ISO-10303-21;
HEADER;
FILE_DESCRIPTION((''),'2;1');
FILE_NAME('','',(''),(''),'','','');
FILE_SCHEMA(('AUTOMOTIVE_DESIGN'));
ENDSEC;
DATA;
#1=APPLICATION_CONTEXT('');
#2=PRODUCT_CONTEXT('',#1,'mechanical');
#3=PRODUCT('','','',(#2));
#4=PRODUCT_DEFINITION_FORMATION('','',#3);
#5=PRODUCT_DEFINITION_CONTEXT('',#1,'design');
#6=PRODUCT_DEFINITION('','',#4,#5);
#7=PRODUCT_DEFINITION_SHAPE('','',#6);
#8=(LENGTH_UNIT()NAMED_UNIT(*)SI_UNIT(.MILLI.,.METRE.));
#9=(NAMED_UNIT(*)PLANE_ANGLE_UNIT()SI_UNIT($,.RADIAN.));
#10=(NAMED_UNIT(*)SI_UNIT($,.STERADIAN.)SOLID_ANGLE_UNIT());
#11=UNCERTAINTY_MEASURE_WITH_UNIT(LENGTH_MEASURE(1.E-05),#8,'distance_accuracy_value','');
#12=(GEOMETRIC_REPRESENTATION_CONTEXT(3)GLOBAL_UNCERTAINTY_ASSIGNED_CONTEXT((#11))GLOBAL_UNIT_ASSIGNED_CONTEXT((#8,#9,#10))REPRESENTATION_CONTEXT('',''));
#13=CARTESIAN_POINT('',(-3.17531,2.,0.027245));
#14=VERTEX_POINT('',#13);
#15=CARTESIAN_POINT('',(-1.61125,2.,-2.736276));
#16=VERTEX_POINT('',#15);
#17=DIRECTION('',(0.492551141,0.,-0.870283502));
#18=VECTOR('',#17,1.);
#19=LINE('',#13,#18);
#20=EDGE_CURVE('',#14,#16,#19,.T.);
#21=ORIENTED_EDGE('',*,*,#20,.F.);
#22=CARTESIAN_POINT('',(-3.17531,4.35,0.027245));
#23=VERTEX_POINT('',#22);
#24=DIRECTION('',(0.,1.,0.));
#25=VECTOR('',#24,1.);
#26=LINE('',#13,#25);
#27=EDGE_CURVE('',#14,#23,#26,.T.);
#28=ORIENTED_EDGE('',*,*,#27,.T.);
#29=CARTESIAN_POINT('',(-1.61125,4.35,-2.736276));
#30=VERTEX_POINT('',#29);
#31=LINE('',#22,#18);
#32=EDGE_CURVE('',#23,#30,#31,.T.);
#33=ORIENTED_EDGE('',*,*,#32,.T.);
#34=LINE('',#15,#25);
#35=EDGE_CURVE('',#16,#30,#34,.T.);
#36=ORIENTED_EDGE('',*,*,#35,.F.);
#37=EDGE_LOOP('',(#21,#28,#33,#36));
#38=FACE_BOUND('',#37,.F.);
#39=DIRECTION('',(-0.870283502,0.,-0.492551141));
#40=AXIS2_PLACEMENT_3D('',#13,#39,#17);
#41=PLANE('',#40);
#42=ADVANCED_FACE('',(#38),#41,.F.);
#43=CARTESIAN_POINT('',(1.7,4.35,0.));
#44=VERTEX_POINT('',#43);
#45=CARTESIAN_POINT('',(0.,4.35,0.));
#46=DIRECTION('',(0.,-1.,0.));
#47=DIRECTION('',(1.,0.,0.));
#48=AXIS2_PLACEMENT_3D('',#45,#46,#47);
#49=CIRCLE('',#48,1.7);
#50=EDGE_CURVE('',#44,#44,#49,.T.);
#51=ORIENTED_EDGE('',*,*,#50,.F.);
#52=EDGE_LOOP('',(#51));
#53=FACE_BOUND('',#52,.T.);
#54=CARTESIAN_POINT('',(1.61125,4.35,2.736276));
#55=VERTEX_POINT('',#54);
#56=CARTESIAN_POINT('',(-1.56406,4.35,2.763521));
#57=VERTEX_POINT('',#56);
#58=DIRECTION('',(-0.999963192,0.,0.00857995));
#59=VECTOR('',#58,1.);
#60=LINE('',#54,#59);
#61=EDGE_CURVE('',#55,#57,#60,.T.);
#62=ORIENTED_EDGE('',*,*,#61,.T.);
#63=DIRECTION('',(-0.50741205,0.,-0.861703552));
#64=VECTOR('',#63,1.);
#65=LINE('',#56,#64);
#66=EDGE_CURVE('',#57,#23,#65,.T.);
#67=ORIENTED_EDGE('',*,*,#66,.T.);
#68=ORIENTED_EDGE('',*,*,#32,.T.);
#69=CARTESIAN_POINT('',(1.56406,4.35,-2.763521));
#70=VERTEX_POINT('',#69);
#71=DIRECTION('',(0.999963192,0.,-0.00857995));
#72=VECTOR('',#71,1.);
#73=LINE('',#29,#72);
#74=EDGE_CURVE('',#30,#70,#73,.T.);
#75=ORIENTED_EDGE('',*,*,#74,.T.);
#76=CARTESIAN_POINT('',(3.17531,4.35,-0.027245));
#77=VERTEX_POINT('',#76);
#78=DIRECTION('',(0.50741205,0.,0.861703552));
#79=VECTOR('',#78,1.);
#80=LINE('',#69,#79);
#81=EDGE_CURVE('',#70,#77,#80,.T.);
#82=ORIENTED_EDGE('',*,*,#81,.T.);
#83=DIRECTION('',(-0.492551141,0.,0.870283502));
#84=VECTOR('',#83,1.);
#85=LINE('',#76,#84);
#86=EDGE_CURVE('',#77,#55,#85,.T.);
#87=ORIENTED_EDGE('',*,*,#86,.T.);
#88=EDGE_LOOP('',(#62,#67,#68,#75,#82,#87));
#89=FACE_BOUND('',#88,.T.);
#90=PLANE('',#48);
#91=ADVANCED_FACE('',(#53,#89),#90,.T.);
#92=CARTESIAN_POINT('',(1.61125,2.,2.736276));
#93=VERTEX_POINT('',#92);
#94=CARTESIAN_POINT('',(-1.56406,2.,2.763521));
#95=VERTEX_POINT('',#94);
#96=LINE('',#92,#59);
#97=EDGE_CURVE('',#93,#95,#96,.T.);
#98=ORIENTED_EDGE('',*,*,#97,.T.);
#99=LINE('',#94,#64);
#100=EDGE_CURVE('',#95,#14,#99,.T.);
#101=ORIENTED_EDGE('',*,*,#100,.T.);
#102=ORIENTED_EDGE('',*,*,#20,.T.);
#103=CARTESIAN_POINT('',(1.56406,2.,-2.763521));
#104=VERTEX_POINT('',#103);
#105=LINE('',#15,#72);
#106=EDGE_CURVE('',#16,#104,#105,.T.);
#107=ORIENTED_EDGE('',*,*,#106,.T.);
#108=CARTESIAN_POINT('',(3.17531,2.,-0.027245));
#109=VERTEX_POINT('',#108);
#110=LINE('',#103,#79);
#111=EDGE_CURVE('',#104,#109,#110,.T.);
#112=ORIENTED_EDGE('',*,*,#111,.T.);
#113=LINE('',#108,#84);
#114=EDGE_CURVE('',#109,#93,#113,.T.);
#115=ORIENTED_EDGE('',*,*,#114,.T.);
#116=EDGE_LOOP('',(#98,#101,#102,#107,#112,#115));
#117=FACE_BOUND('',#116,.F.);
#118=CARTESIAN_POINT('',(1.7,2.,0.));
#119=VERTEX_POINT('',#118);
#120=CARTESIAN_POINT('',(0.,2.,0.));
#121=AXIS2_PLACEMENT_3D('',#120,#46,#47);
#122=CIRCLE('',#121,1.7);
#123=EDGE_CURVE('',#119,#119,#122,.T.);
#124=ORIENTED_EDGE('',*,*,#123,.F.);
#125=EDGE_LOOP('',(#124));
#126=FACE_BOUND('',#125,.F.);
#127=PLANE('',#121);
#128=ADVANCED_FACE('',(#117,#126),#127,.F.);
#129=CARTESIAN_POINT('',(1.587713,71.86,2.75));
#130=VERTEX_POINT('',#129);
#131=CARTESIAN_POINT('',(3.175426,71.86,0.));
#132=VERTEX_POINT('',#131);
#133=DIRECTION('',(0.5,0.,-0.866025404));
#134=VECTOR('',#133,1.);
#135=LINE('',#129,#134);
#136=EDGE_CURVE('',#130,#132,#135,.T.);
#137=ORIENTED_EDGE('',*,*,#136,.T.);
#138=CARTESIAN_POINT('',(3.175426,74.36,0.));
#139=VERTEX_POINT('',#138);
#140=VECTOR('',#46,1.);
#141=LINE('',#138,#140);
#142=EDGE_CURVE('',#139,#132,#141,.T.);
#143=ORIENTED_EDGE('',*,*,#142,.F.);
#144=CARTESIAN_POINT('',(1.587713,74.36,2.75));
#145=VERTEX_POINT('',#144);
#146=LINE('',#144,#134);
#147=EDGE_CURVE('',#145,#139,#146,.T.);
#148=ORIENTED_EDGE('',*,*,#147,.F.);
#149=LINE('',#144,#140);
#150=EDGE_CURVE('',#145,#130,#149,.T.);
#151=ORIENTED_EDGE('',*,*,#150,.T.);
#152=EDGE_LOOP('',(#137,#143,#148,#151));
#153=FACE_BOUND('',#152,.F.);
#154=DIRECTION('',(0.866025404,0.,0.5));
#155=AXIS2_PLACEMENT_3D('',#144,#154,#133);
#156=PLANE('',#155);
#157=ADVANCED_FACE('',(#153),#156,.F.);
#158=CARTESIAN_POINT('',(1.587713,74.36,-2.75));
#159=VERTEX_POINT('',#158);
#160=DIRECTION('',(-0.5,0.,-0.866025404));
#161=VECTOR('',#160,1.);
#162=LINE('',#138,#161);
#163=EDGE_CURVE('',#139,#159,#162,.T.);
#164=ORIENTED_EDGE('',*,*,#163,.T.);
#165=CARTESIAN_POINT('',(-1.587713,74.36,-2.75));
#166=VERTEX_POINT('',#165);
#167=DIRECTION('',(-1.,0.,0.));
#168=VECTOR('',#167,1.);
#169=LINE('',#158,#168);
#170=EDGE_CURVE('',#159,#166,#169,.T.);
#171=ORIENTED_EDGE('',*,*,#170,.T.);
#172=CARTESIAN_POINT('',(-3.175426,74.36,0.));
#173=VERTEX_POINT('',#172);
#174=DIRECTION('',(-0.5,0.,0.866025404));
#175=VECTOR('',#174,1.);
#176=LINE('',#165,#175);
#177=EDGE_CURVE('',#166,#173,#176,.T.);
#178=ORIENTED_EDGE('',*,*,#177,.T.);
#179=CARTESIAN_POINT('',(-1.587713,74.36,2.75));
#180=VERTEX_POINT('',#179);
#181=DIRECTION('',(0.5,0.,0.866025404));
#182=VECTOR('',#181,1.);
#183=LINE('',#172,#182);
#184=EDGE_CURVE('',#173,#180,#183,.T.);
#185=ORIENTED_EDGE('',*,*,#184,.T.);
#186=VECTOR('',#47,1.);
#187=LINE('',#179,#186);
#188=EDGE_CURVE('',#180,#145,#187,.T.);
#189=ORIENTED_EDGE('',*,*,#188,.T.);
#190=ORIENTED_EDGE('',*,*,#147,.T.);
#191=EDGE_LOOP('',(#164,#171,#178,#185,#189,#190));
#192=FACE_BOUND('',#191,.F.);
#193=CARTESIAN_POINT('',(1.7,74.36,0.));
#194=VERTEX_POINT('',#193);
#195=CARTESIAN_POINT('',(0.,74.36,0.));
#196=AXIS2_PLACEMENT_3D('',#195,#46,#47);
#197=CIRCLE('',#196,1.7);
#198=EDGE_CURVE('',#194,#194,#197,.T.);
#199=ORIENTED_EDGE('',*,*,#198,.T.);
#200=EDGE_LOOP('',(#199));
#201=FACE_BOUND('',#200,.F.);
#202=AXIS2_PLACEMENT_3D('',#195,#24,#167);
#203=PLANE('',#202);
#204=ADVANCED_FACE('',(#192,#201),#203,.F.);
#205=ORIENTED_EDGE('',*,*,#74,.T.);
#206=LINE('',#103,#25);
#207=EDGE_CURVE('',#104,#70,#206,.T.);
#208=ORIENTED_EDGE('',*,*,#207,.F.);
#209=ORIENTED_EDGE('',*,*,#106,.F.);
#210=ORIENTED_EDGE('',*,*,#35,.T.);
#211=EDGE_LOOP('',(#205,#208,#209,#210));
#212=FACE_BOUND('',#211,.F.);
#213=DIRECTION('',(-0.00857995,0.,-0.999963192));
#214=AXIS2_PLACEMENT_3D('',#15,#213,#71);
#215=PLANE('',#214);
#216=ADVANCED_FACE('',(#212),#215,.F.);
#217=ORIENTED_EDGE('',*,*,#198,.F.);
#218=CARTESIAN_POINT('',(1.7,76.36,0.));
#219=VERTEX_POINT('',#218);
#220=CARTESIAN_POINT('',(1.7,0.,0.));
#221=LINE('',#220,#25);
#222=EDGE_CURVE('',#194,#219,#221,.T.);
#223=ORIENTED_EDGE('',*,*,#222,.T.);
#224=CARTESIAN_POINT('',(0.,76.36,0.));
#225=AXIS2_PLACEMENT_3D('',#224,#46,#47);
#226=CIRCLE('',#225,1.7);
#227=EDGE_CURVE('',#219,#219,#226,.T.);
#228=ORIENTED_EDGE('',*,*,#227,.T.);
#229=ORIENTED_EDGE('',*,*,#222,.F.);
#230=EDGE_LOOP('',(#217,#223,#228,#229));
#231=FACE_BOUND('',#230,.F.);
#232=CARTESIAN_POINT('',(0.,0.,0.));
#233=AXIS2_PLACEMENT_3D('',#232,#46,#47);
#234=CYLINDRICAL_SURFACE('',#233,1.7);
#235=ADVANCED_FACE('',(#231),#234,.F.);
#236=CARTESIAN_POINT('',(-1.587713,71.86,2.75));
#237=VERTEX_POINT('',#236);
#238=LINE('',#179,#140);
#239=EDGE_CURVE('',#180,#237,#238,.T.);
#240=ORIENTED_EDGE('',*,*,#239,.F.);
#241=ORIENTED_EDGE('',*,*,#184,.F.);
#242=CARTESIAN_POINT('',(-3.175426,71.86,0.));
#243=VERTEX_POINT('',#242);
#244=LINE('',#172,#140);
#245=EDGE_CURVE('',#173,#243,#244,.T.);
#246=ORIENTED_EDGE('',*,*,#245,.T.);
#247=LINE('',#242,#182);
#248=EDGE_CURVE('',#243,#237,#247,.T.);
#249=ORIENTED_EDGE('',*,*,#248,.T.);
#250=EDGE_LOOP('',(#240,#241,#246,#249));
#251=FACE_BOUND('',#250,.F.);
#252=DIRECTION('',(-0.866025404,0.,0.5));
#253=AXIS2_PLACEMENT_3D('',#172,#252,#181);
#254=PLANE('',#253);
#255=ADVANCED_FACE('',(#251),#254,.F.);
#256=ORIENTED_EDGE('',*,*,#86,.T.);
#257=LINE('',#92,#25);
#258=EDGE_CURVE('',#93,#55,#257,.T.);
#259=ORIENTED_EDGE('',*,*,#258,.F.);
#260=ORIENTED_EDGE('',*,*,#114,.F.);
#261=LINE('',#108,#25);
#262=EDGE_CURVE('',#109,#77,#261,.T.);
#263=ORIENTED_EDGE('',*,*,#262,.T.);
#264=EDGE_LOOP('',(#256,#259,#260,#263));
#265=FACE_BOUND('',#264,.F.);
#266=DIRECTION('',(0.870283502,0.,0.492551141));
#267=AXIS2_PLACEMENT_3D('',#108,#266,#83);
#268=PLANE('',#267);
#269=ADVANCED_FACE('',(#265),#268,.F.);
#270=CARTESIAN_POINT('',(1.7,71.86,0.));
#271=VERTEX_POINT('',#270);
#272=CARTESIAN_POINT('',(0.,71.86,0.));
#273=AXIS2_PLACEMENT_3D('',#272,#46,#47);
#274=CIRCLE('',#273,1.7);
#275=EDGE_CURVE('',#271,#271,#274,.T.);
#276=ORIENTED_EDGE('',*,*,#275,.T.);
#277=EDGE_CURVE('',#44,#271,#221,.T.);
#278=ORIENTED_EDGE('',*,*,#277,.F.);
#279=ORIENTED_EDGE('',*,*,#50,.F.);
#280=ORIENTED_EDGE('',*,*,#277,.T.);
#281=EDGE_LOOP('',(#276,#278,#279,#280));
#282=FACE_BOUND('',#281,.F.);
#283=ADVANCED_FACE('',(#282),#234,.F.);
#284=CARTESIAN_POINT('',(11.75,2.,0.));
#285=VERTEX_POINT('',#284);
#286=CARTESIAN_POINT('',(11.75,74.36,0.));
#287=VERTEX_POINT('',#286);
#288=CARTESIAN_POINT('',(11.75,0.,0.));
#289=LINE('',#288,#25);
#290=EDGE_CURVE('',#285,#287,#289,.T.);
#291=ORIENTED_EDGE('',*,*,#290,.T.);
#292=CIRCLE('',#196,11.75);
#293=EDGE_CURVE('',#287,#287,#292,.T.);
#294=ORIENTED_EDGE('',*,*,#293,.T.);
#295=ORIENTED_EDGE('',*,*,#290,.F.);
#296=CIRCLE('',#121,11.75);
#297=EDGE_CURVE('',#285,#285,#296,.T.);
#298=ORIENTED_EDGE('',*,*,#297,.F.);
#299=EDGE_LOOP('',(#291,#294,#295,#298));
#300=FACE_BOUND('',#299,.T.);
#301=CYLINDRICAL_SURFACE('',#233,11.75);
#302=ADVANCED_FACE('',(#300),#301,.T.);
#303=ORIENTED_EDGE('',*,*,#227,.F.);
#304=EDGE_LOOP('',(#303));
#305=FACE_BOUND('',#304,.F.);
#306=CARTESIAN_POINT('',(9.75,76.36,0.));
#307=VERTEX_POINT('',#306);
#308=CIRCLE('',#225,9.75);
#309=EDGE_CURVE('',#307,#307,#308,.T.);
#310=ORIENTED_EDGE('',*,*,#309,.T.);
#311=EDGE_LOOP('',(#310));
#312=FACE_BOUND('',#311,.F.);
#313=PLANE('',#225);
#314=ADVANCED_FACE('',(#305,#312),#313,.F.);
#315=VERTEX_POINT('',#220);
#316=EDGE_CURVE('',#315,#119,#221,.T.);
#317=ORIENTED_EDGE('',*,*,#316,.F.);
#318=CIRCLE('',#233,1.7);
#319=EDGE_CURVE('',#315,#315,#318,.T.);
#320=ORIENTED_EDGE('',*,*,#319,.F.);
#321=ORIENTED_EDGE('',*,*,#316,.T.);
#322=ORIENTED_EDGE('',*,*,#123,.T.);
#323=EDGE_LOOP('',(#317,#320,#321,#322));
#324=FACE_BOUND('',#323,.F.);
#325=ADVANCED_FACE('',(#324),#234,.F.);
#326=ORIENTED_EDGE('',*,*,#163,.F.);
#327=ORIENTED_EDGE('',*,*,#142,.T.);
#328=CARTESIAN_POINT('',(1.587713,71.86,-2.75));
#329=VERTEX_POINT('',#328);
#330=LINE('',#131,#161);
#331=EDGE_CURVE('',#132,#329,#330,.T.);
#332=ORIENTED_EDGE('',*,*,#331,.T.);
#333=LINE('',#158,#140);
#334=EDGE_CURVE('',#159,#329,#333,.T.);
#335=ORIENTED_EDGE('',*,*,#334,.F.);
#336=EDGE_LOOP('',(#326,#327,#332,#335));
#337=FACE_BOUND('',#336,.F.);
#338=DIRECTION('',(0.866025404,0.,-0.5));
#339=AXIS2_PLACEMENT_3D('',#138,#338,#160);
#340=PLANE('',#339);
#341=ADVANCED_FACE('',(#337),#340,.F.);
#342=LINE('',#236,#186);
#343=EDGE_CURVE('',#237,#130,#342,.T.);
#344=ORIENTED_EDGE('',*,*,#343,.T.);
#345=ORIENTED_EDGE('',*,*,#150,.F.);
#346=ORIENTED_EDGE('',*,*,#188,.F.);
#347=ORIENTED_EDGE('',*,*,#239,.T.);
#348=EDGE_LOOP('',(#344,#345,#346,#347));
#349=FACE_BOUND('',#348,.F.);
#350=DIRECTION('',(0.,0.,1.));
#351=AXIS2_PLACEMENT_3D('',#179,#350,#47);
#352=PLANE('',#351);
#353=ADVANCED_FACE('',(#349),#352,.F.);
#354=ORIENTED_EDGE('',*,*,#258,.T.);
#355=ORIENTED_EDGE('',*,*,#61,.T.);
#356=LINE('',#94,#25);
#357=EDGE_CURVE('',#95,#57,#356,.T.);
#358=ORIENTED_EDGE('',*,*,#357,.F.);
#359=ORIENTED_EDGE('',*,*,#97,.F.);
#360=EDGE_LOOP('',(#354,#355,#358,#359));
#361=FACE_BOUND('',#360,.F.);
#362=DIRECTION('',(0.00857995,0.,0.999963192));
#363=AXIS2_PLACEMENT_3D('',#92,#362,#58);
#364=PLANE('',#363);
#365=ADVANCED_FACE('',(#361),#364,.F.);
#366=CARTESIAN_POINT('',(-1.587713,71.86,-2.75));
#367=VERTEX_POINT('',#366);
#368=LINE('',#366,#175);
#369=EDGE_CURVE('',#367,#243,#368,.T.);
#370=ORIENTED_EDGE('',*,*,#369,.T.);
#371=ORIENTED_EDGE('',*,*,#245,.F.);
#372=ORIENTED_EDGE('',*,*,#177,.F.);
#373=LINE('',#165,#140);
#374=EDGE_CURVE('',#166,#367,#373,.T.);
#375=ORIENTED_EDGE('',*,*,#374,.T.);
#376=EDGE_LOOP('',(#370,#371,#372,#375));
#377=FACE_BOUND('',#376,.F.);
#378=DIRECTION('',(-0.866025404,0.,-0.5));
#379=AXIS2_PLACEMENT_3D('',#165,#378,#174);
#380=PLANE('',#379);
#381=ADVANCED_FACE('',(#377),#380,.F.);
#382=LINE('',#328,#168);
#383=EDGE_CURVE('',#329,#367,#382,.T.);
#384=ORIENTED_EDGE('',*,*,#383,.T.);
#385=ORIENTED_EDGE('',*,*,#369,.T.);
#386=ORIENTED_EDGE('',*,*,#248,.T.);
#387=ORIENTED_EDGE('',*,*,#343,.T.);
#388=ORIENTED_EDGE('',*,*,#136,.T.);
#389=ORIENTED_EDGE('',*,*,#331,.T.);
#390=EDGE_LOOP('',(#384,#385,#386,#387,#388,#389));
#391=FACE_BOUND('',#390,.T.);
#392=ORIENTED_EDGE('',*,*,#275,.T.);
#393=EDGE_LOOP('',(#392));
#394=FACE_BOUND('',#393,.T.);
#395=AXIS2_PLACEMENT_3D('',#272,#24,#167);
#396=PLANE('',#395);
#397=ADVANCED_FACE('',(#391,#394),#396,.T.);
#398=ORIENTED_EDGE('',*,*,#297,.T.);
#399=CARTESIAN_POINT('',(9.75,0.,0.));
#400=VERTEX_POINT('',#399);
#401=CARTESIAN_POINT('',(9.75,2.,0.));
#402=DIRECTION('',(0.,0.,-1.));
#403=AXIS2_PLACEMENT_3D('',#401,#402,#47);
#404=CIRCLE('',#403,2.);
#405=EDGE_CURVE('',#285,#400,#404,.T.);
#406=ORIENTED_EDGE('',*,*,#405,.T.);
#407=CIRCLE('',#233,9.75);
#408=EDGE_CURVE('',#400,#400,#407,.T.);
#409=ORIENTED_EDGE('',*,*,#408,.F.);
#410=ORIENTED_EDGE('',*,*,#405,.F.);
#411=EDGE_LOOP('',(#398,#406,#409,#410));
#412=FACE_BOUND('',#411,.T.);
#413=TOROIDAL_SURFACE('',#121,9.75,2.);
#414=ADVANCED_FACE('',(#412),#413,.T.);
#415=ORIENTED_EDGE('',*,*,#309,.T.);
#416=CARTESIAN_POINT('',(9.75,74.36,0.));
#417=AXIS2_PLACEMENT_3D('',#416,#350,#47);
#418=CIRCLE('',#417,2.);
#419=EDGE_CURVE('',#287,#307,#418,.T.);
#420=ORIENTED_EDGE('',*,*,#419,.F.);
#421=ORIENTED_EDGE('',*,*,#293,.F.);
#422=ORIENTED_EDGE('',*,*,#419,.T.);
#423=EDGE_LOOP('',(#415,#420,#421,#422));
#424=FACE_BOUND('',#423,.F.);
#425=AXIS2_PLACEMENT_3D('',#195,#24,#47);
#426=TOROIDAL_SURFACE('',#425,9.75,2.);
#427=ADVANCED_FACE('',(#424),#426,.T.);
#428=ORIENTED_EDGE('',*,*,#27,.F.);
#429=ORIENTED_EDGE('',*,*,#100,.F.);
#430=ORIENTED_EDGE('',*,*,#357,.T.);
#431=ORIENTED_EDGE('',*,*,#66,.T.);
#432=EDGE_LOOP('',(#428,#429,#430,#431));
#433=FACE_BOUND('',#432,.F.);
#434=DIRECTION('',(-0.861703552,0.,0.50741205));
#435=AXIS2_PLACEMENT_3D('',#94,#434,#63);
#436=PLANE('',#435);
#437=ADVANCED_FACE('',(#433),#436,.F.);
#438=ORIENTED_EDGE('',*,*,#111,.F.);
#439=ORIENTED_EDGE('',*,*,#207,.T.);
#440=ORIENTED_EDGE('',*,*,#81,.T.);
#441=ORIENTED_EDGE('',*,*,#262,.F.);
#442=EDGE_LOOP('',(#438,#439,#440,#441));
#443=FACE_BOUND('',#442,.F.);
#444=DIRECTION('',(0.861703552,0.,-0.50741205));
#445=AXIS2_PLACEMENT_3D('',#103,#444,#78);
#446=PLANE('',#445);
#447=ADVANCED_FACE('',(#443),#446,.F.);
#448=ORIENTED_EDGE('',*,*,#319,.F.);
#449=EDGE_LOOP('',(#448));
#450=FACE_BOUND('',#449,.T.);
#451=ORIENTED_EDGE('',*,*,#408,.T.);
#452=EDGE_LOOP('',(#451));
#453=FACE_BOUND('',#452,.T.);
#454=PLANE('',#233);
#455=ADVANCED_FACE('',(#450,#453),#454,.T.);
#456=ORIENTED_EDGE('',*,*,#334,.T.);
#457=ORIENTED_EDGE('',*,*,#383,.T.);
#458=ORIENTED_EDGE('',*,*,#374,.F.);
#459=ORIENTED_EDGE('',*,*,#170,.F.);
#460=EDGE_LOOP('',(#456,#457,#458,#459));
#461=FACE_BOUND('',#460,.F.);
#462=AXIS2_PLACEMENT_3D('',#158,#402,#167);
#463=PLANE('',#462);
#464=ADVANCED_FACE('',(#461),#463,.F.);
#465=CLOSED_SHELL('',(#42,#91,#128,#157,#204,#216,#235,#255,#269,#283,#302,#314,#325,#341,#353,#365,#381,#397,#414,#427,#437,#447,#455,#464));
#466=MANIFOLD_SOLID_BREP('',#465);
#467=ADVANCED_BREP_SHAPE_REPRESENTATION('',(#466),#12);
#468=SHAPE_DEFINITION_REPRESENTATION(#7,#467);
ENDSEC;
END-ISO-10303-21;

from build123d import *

# Parameters (mm, degrees)
F0_R     = 11.75
F0_R_2   = 1.7
F1_DEPTH = 76.36
F2_R     = 2
F3_START = -2
F3_DEPTH = 2.35
F4_DEPTH = 89.7
F6_START = -2
F5_R     = 1.7
F6_DEPTH = 2.5


with BuildPart() as f1:
    # F0 (on Front) → F1 (new body)
    with BuildSketch(Plane.XZ):
        Circle(F0_R)
        Polygon((1.6112496617, 2.7362762765), (3.175309598, -0.0272450006), (1.5640599363, -2.7635212771), (-1.6112496617, -2.7362762765), (-3.175309598, 0.0272450006), (-1.5640599363, 2.7635212771), align=None, mode=Mode.SUBTRACT)
        Polygon((1.5640599363, -2.7635212771), (3.175309598, -0.0272450006), (1.6112496617, 2.7362762765), (-1.5640599363, 2.7635212771), (-3.175309598, 0.0272450006), (-1.6112496617, -2.7362762765), align=None)
        Circle(F0_R_2, mode=Mode.SUBTRACT)
        Circle(F0_R_2)
    extrude(amount=-F1_DEPTH)

    # F2
    f2_edges = [f1.edges().sort_by_distance(p)[0] for p in [
        (-11.75, 0, 0),
        (-11.75, 76.36, 0),
    ]]
    fillet(f2_edges, radius=F2_R)

    # F0 (on Front) → F3 (cut)
    with BuildSketch(Plane.XZ.offset(F3_START)):
        Polygon((1.5640599363, -2.7635212771), (3.175309598, -0.0272450006), (1.6112496617, 2.7362762765), (-1.5640599363, 2.7635212771), (-3.175309598, 0.0272450006), (-1.6112496617, -2.7362762765), align=None)
        Circle(F0_R_2, mode=Mode.SUBTRACT)
    extrude(amount=-F3_DEPTH, mode=Mode.SUBTRACT)

    # F0 (on Front) → F4 (cut)
    with BuildSketch(Plane.XZ):
        Circle(F0_R_2)
    extrude(amount=-F4_DEPTH, mode=Mode.SUBTRACT)

    # F5 (on face) → F6 (cut)
    with BuildSketch(Plane(origin=(0, 76.36, 0), x_dir=(-1, 0, 0), z_dir=(0, 1, 0)).offset(F6_START)):
        Polygon((-1.5877132403, -2.75), (1.5877132403, -2.75), (3.1754264805, 0), (1.5877132403, 2.75), (-1.5877132403, 2.75), (-3.1754264805, 0), align=None)
        Circle(F5_R, mode=Mode.SUBTRACT)
    extrude(amount=-F6_DEPTH, mode=Mode.SUBTRACT)


solid = f1.part
